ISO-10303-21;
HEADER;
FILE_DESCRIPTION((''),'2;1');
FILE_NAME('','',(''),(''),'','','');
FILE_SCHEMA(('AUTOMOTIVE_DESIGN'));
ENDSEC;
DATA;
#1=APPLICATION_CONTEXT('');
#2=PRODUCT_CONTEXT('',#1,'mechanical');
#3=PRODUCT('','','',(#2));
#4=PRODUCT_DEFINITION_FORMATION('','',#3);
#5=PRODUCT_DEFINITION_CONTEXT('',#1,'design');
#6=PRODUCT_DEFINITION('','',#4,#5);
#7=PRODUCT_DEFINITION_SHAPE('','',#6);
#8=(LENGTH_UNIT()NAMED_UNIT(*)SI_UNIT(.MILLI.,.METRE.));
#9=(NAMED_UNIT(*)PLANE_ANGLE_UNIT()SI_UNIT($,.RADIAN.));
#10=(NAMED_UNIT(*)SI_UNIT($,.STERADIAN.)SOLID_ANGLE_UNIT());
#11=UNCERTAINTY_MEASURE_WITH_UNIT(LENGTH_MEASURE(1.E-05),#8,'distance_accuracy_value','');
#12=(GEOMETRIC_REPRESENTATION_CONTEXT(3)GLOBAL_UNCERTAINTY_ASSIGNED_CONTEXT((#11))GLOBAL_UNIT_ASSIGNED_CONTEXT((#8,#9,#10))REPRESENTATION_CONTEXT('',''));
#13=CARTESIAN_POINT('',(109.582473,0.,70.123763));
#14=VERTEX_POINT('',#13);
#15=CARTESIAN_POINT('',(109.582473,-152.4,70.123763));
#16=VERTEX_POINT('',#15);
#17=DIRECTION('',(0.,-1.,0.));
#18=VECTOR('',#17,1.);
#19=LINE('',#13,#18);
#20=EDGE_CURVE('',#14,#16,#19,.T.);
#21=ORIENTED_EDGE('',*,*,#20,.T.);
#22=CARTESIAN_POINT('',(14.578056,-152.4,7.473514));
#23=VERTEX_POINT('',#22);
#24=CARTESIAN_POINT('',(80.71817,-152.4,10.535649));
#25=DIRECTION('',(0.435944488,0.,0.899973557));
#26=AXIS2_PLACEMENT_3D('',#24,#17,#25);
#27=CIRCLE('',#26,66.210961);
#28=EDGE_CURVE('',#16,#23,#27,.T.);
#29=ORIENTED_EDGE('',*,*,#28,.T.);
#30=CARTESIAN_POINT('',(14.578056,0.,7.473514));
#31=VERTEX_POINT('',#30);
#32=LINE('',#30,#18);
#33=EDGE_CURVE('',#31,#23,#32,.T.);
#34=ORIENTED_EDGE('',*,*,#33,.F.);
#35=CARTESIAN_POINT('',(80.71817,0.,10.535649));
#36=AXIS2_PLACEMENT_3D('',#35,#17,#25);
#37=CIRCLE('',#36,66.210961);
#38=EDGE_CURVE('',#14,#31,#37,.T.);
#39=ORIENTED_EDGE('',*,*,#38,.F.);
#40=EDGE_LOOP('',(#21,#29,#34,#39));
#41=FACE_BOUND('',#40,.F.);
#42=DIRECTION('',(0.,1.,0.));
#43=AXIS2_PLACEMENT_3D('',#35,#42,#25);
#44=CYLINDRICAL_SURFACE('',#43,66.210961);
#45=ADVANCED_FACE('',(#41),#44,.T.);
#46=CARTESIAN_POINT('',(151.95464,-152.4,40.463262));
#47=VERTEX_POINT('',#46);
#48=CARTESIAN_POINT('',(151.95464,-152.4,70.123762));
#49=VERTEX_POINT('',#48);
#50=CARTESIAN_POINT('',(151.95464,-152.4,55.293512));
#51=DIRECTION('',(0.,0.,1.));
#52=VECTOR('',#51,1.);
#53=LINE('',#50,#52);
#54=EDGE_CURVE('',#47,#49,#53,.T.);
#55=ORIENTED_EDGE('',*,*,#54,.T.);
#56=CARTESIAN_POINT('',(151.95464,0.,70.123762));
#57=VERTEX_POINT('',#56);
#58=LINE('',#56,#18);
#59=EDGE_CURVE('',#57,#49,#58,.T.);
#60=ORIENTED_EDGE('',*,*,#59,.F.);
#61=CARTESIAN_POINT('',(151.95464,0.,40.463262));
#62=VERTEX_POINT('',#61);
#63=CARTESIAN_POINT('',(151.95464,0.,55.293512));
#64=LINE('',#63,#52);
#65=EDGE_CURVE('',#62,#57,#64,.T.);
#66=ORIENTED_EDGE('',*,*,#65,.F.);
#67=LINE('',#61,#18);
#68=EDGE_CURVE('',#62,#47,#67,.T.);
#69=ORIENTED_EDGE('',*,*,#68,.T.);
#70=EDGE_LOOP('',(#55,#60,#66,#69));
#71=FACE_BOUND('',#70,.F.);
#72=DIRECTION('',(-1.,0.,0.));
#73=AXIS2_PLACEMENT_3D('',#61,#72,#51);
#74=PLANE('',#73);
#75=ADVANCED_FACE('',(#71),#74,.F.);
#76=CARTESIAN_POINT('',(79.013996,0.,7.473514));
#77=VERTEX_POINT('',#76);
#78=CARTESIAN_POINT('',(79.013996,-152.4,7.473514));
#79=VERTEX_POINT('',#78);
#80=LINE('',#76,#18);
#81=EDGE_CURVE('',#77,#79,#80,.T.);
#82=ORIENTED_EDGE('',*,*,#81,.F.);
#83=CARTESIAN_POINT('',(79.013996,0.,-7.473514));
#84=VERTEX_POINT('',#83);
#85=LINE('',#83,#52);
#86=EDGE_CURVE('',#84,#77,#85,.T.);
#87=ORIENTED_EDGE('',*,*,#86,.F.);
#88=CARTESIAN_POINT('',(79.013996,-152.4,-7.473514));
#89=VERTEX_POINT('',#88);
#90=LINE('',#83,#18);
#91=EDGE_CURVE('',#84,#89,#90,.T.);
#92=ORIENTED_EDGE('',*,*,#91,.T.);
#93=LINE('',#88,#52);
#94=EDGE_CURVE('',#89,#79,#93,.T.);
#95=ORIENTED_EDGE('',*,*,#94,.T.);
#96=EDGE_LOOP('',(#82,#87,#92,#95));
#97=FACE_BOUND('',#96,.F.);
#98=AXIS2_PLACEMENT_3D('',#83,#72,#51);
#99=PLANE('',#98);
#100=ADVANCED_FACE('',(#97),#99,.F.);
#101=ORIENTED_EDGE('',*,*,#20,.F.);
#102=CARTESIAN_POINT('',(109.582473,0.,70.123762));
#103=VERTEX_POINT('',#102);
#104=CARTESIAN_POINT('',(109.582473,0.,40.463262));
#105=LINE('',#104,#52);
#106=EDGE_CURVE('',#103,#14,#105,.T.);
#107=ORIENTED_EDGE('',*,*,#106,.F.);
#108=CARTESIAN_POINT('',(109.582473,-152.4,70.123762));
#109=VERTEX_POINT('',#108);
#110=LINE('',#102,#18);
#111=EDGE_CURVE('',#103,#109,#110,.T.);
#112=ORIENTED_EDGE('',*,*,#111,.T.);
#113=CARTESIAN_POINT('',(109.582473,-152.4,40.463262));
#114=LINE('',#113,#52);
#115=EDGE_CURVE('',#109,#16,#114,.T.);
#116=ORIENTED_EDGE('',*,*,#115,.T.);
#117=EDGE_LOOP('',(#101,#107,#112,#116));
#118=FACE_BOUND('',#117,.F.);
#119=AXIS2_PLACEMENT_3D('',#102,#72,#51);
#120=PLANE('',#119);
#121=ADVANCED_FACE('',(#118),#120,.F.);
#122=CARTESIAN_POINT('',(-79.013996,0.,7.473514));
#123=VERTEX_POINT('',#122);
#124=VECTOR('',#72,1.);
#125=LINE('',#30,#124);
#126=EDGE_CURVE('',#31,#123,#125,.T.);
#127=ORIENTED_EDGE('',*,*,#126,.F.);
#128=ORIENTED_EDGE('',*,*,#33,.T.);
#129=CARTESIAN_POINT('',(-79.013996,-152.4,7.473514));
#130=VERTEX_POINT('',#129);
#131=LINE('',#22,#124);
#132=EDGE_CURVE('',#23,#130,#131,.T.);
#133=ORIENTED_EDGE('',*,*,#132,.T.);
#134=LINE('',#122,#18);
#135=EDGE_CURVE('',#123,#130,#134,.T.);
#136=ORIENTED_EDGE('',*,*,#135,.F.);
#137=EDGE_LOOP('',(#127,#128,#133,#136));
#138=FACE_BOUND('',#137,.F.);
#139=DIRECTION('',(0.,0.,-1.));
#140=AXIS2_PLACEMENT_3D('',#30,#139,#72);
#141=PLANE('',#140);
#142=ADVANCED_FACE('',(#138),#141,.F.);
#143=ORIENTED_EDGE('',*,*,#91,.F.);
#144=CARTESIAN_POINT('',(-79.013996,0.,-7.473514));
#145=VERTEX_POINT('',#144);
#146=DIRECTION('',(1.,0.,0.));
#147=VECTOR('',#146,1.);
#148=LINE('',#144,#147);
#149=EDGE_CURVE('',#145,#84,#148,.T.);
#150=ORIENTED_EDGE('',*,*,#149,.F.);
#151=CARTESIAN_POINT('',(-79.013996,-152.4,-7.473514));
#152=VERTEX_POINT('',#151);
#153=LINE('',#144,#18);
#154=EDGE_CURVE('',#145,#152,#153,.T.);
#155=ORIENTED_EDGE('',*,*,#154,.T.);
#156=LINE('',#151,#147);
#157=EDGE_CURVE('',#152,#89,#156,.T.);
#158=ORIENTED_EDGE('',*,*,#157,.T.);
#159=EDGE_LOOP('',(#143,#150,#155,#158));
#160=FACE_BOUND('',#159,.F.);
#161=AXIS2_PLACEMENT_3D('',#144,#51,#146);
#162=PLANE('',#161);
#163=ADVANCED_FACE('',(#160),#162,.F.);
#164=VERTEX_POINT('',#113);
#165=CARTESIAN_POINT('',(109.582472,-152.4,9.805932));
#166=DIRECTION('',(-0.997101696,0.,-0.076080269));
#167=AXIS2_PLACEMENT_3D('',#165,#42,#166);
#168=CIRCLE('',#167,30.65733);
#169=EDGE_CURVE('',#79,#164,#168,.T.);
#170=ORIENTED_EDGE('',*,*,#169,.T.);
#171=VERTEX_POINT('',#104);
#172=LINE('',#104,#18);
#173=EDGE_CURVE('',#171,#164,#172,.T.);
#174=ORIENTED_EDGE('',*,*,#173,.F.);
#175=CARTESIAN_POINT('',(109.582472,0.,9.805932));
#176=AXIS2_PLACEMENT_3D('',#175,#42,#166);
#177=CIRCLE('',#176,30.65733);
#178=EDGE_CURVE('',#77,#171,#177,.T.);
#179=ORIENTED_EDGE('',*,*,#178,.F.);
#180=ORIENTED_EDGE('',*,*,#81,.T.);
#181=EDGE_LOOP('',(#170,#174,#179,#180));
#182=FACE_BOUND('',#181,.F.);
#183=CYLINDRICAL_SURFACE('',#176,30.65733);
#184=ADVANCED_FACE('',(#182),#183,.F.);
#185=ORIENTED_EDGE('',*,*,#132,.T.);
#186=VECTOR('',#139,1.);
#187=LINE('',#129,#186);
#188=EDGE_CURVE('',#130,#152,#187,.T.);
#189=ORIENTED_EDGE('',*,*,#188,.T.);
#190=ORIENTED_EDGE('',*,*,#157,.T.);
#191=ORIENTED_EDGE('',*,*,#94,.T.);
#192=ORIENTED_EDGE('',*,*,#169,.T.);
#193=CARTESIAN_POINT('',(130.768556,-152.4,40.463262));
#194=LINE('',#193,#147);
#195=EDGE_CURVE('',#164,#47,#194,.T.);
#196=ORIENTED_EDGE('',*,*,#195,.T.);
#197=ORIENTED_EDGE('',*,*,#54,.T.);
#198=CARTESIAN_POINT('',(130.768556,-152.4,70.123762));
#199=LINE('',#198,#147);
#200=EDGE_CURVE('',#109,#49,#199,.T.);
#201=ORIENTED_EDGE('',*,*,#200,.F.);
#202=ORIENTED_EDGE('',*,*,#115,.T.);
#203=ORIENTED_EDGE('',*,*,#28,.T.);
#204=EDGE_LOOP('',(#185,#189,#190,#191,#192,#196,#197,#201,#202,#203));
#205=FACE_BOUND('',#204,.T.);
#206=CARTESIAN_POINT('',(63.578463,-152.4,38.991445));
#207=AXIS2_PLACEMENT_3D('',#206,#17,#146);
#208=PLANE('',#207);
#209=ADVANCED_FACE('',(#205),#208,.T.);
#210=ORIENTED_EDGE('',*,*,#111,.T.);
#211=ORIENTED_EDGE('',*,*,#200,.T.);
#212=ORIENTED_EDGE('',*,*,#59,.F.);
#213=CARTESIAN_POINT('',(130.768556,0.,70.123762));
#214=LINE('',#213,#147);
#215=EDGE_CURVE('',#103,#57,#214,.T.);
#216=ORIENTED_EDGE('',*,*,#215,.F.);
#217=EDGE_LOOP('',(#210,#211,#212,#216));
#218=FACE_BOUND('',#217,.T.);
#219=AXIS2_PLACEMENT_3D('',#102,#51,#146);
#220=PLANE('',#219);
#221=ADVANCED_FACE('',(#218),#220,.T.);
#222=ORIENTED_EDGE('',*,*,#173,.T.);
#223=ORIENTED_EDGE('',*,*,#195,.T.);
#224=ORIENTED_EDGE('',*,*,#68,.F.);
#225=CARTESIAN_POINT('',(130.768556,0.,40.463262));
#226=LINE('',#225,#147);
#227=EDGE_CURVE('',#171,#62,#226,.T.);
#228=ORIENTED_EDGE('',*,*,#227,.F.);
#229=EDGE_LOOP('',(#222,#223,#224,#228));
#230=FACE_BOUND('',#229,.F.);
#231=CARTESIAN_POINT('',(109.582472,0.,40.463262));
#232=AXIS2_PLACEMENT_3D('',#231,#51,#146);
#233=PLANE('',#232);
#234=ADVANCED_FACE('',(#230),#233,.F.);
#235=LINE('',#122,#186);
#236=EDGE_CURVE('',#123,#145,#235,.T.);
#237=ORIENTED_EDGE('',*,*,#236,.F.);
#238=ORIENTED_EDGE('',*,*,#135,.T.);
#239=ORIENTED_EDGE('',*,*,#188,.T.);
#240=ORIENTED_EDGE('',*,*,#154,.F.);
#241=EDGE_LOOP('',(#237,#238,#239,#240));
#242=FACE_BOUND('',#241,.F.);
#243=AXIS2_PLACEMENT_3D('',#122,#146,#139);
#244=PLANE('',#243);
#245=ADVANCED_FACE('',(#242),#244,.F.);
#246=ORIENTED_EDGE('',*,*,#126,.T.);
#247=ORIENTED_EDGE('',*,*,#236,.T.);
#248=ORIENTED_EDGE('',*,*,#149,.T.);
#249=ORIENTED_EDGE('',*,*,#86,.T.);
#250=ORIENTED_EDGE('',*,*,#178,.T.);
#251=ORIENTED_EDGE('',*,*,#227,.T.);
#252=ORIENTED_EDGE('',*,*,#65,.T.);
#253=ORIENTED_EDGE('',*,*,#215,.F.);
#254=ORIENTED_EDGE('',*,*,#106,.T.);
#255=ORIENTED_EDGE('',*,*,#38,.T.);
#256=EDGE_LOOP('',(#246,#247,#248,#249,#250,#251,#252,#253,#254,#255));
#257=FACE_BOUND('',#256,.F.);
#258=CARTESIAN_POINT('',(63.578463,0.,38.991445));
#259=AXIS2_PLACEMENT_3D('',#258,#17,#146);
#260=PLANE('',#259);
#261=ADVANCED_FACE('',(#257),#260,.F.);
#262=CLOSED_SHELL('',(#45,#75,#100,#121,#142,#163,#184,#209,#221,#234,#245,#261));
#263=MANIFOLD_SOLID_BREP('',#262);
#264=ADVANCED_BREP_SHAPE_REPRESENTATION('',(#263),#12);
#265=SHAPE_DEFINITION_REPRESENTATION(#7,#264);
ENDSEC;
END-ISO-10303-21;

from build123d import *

# Parameters (mm, degrees)
F0_W     = 42.372167
F0_H     = 29.660501
F1_DEPTH = 152.4


with BuildPart() as f1:
    # F0 (on Front) → F1 (new body)
    with BuildSketch(Plane.XZ):
        with BuildLine():
            ThreePointArc((109.582473, 70.123763), (44.267725, 65.810023), (14.578056, 7.473514))
            Line((14.578056, 7.473514), (79.013996, 7.473514))
            ThreePointArc((79.013996, 7.473514), (87.094947, 30.642993), (109.582473, 40.463262))
            Line((109.582473, 40.463262), (109.582473, 70.123763))
        make_face()
        Polygon((14.578056, 7.473514), (-79.013996, 7.473514), (-79.013996, -7.473514), (79.013996, -7.473514), (79.013996, 7.473514), align=None)
        with Locations((130.768556, 55.293512)):
            Rectangle(F0_W, F0_H)
    extrude(amount=F1_DEPTH)


solid = f1.part
